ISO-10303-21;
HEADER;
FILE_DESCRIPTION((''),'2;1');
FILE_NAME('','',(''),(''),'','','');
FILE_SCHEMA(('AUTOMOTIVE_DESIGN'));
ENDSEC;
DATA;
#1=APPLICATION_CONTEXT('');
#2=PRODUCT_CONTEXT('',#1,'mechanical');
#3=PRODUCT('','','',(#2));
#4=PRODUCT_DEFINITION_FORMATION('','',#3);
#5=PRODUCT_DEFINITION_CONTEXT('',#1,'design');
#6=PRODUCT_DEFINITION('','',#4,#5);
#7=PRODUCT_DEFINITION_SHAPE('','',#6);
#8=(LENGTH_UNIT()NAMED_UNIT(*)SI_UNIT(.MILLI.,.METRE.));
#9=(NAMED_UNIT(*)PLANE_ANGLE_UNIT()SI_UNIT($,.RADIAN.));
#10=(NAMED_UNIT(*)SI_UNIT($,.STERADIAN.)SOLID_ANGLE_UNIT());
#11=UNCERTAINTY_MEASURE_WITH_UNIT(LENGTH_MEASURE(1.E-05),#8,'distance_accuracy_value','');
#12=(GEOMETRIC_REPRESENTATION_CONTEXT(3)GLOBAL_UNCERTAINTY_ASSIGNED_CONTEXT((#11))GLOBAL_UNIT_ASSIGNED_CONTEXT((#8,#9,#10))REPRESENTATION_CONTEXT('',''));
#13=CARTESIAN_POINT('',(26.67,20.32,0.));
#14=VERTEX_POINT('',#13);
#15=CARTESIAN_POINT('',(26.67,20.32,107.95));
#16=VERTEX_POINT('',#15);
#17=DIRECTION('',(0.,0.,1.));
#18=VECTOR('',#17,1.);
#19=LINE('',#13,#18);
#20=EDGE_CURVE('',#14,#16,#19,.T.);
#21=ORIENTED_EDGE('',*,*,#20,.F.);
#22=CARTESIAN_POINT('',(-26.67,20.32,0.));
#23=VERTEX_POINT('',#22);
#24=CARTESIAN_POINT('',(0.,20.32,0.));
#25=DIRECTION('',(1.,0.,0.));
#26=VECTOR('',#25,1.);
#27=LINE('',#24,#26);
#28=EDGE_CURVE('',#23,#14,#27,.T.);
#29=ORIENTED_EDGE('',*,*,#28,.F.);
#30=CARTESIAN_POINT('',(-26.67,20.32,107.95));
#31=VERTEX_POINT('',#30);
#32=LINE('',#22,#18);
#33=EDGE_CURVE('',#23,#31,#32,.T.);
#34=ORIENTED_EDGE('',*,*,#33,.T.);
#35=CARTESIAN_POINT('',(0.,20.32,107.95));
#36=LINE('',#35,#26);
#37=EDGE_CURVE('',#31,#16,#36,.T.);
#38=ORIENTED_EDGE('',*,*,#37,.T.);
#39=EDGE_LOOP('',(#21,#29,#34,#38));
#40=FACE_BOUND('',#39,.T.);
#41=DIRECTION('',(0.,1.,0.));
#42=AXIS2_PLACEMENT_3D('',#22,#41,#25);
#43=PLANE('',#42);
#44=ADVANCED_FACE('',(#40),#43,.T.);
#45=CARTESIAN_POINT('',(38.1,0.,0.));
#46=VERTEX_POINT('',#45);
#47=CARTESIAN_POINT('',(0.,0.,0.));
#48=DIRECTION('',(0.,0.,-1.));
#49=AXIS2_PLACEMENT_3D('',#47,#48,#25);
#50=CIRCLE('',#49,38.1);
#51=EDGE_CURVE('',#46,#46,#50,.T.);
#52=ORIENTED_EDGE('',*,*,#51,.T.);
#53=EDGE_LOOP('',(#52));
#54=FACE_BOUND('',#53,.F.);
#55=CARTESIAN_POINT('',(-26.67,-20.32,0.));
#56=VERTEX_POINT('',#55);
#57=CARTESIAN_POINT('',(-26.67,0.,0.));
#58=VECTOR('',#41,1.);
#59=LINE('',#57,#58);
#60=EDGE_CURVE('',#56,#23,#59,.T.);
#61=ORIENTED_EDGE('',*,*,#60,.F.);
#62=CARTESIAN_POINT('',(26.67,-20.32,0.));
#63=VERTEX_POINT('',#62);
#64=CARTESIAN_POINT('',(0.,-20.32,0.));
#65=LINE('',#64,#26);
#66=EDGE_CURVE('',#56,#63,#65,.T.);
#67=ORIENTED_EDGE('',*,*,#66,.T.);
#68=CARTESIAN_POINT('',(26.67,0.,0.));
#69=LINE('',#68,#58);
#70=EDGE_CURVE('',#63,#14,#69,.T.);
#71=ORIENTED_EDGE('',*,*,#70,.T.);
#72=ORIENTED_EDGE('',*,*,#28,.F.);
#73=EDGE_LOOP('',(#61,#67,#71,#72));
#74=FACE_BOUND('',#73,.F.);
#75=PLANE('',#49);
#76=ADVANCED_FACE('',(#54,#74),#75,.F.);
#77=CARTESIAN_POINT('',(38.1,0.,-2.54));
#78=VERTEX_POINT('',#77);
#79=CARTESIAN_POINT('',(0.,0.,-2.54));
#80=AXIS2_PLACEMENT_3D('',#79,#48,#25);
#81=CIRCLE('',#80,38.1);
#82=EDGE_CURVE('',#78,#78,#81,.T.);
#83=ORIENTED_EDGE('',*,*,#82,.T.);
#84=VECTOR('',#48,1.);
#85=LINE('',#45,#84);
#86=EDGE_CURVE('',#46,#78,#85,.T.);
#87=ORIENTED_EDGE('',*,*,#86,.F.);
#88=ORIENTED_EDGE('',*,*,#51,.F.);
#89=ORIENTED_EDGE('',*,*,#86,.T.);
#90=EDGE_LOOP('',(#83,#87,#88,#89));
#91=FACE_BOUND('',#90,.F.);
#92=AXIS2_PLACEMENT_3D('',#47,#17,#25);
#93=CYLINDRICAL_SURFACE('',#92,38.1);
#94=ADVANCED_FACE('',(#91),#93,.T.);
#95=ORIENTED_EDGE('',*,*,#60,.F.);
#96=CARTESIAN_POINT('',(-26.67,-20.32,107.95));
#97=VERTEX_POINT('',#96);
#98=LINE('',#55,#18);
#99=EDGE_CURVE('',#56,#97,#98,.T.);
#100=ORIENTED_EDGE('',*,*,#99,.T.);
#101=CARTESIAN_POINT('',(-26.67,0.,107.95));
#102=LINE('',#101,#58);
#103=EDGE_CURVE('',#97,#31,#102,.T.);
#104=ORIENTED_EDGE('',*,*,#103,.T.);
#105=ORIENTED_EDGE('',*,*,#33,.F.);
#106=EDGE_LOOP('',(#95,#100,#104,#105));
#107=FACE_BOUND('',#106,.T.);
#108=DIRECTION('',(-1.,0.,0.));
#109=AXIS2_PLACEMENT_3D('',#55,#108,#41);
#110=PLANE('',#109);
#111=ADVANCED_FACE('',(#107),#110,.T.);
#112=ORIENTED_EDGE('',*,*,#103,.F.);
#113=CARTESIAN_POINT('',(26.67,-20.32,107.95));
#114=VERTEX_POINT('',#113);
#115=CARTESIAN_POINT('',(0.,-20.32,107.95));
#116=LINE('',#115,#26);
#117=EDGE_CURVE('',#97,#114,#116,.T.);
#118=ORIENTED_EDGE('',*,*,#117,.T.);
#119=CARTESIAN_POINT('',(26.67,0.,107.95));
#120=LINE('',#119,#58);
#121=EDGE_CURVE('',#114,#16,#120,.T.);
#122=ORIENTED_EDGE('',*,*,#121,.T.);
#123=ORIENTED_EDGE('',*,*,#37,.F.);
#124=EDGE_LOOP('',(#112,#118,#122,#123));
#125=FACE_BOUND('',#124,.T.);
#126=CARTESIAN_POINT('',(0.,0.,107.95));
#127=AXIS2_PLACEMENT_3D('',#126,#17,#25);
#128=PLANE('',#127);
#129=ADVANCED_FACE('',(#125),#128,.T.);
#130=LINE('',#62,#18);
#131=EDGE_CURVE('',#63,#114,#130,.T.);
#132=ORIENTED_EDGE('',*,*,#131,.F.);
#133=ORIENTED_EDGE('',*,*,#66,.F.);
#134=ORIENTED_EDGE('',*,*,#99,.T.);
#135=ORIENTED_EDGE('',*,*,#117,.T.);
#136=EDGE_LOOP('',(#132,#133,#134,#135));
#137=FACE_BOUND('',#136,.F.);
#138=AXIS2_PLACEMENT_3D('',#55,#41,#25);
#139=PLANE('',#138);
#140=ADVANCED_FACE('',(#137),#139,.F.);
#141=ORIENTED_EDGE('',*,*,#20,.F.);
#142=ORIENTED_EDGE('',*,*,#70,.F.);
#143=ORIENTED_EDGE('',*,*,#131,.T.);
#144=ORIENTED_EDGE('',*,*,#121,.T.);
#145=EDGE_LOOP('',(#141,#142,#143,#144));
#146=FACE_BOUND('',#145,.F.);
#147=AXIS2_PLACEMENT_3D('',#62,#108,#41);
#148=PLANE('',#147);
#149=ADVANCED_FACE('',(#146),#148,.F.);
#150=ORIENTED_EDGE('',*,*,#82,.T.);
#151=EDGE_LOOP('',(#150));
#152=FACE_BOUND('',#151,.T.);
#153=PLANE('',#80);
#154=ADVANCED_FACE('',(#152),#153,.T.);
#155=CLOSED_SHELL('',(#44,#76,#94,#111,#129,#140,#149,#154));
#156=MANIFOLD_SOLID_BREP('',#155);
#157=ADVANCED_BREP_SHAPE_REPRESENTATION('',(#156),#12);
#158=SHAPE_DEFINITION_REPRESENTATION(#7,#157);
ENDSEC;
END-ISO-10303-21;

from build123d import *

# Parameters (mm, degrees)
F0_W     = 53.34
F0_H     = 40.64
F1_DEPTH = 107.95
F2_R     = 38.1
F3_DEPTH = 2.54


with BuildPart() as f1:
    # F0 (on Top) → F1 (new body)
    with BuildSketch(Plane.XY):
        Rectangle(F0_W, F0_H)
    extrude(amount=F1_DEPTH)

    # F2 (on face) → F3 (join)
    with BuildSketch(Plane(origin=(0, 0, 0), x_dir=(1, 0, 0), z_dir=(0, 0, -1))):
        Circle(F2_R)
    extrude(amount=F3_DEPTH)


solid = f1.part
